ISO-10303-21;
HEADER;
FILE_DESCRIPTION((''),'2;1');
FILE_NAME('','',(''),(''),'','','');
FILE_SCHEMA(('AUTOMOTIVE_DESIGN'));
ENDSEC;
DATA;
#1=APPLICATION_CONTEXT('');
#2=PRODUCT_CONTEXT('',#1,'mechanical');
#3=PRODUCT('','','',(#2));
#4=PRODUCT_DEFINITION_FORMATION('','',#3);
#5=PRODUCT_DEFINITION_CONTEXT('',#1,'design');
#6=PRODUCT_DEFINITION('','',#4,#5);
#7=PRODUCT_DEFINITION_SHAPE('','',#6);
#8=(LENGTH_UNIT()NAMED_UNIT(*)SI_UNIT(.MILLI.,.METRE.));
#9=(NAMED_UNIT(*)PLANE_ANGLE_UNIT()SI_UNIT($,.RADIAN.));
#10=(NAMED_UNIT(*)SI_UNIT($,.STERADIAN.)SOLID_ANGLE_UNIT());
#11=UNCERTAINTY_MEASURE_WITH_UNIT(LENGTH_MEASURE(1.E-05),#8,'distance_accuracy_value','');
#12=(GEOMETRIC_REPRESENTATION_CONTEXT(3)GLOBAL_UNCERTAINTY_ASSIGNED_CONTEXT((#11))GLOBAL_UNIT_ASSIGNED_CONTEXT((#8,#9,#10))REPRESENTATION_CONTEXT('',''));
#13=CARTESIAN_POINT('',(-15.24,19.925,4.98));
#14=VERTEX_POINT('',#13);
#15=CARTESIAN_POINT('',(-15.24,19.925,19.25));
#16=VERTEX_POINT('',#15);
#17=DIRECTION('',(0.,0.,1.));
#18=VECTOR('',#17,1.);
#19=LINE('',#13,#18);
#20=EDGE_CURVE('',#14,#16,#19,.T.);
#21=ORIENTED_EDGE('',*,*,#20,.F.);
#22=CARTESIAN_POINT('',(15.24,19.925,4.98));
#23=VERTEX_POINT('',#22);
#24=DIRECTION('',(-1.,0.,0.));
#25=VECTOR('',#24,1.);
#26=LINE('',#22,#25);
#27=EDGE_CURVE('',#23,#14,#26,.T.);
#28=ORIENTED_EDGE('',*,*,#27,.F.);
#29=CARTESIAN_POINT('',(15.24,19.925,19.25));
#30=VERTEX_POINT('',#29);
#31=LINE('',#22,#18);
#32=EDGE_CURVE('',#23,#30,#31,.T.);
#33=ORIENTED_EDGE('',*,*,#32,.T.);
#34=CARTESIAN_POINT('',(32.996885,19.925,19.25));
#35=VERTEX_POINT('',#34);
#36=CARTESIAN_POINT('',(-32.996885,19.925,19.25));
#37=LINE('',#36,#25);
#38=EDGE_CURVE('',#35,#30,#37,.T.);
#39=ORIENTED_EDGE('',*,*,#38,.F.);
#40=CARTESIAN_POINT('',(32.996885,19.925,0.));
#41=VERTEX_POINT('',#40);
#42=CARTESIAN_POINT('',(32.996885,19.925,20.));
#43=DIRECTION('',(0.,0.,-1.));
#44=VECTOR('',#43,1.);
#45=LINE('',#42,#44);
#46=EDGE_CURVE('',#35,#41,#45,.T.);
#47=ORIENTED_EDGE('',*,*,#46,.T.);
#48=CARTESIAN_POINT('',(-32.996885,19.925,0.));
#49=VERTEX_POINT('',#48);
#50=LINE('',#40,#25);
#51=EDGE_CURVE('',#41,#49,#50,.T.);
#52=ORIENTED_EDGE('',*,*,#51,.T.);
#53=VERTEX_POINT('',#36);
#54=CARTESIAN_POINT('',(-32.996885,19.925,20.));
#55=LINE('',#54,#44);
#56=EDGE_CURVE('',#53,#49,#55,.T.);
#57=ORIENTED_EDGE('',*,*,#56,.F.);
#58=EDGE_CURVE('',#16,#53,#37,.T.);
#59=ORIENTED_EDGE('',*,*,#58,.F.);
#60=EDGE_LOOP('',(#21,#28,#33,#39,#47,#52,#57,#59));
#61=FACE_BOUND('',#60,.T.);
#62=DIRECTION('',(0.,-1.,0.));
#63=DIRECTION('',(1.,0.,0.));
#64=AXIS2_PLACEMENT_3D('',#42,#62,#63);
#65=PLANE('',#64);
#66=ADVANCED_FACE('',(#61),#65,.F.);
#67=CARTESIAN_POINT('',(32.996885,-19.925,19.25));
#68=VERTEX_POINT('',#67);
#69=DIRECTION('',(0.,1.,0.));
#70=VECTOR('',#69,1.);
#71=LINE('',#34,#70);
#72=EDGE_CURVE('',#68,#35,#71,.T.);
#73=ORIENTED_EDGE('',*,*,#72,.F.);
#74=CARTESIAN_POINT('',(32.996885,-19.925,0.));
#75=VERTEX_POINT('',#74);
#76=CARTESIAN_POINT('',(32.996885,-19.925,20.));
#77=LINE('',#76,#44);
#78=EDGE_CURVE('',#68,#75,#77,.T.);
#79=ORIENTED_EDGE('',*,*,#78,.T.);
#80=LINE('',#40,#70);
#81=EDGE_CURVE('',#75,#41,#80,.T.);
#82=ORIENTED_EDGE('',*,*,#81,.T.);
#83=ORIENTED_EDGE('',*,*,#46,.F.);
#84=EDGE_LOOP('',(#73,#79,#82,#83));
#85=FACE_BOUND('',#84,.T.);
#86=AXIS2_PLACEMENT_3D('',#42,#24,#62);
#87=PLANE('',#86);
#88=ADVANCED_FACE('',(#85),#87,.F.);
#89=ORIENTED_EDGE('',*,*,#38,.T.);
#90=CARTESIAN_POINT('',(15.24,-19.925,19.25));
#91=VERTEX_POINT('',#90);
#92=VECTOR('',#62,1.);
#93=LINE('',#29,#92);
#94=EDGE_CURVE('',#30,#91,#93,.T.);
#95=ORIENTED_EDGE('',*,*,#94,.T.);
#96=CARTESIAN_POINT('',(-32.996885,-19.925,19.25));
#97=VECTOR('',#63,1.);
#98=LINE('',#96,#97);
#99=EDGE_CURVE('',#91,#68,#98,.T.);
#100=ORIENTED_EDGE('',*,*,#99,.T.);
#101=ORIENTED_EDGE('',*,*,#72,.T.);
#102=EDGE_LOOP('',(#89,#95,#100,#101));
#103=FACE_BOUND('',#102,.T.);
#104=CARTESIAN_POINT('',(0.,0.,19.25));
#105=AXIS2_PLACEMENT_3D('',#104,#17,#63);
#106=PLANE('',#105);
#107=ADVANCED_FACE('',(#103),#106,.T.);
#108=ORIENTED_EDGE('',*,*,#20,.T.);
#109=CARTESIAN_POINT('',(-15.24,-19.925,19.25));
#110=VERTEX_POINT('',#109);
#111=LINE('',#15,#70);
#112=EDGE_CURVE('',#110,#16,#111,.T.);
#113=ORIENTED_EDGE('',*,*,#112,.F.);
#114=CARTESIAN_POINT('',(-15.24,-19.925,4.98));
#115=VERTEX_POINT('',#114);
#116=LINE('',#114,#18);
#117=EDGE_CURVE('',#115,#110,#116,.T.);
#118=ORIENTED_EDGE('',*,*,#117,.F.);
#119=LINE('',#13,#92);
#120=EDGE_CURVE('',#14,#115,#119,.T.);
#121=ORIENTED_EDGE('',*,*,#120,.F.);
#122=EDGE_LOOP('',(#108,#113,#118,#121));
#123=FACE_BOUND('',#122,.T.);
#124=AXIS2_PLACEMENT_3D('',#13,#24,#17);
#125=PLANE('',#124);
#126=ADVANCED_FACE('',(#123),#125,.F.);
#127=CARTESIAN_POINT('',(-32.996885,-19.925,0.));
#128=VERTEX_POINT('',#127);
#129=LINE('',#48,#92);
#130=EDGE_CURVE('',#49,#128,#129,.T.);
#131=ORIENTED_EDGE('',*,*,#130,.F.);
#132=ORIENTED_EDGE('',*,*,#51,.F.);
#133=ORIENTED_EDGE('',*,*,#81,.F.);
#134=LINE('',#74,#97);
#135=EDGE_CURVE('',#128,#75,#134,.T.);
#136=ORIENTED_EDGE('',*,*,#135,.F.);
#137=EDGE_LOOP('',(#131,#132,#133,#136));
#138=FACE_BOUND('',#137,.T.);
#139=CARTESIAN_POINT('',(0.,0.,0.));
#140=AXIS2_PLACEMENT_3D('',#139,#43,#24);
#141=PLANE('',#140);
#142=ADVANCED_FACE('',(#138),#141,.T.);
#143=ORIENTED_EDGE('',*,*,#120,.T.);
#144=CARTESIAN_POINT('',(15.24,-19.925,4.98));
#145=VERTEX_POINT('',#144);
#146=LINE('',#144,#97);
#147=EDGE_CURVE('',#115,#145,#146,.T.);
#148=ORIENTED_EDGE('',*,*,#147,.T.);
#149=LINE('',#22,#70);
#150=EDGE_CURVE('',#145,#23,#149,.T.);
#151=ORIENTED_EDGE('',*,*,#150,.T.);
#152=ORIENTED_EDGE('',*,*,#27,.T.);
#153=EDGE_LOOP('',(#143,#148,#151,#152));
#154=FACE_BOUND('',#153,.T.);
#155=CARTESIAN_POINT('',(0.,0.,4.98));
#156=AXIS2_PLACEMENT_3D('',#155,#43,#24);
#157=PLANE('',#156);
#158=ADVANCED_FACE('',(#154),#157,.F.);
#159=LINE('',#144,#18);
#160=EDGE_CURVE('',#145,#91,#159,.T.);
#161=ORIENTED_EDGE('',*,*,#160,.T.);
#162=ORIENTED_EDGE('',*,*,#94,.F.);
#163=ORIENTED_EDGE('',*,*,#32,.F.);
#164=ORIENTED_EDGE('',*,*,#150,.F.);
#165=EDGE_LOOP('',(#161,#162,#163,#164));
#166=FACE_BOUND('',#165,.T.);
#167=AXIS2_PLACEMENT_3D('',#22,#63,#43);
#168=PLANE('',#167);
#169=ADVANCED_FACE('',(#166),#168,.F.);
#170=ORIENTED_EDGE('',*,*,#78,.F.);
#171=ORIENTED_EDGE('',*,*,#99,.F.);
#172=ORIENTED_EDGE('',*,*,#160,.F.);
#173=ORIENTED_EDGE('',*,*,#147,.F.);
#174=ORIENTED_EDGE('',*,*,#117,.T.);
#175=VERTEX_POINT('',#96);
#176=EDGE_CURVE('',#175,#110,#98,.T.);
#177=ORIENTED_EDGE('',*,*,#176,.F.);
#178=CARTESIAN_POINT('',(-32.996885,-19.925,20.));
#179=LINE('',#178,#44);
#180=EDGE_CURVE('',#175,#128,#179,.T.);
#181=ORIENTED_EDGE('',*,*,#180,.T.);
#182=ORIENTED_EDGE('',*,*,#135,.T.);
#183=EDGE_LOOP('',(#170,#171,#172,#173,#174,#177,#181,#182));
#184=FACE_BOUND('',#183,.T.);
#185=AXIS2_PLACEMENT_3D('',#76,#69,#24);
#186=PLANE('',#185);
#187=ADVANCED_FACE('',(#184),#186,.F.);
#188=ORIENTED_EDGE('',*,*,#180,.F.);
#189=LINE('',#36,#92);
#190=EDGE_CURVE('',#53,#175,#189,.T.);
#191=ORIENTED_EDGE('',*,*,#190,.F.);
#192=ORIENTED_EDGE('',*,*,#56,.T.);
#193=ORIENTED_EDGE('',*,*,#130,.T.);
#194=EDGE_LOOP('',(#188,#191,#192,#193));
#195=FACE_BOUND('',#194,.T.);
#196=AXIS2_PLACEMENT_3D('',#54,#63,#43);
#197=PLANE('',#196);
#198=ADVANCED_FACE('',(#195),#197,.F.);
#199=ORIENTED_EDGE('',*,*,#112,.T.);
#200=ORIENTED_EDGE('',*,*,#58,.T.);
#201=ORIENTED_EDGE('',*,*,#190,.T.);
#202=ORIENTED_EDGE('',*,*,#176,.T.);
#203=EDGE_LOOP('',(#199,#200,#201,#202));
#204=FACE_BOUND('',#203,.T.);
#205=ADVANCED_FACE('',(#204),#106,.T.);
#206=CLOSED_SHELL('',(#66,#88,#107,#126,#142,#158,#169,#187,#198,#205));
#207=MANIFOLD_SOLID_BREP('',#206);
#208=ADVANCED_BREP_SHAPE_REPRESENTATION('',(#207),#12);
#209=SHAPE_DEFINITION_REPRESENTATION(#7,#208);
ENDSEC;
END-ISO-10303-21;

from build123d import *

# Parameters (mm, degrees)
SKETCH1_W           = 65.99377092
SKETCH1_H           = 39.85
BOSS_EXTRUDE1_DEPTH = 20
SKETCH2_W           = 30.48
SKETCH2_H           = 39.85
CUT_EXTRUDE1_DEPTH  = 15.02
SKETCH3_W           = 65.99377092
SKETCH3_H           = 39.85
CUT_EXTRUDE2_DEPTH  = 0.75


with BuildPart() as part:
    # Sketch1 → Boss-Extrude1 (new body)
    with BuildSketch(Plane.XY):
        Rectangle(SKETCH1_W, SKETCH1_H)
    extrude(amount=BOSS_EXTRUDE1_DEPTH)

    # Sketch2 → Cut-Extrude1 (cut)
    with BuildSketch(Plane.XY.offset(20)):
        Rectangle(SKETCH2_W, SKETCH2_H)
    extrude(amount=-CUT_EXTRUDE1_DEPTH, mode=Mode.SUBTRACT)

    # Sketch3 → Cut-Extrude2 (cut)
    with BuildSketch(Plane.XY.offset(20)):
        Rectangle(SKETCH3_W, SKETCH3_H)
    extrude(amount=-CUT_EXTRUDE2_DEPTH, mode=Mode.SUBTRACT)


solid = part.part
